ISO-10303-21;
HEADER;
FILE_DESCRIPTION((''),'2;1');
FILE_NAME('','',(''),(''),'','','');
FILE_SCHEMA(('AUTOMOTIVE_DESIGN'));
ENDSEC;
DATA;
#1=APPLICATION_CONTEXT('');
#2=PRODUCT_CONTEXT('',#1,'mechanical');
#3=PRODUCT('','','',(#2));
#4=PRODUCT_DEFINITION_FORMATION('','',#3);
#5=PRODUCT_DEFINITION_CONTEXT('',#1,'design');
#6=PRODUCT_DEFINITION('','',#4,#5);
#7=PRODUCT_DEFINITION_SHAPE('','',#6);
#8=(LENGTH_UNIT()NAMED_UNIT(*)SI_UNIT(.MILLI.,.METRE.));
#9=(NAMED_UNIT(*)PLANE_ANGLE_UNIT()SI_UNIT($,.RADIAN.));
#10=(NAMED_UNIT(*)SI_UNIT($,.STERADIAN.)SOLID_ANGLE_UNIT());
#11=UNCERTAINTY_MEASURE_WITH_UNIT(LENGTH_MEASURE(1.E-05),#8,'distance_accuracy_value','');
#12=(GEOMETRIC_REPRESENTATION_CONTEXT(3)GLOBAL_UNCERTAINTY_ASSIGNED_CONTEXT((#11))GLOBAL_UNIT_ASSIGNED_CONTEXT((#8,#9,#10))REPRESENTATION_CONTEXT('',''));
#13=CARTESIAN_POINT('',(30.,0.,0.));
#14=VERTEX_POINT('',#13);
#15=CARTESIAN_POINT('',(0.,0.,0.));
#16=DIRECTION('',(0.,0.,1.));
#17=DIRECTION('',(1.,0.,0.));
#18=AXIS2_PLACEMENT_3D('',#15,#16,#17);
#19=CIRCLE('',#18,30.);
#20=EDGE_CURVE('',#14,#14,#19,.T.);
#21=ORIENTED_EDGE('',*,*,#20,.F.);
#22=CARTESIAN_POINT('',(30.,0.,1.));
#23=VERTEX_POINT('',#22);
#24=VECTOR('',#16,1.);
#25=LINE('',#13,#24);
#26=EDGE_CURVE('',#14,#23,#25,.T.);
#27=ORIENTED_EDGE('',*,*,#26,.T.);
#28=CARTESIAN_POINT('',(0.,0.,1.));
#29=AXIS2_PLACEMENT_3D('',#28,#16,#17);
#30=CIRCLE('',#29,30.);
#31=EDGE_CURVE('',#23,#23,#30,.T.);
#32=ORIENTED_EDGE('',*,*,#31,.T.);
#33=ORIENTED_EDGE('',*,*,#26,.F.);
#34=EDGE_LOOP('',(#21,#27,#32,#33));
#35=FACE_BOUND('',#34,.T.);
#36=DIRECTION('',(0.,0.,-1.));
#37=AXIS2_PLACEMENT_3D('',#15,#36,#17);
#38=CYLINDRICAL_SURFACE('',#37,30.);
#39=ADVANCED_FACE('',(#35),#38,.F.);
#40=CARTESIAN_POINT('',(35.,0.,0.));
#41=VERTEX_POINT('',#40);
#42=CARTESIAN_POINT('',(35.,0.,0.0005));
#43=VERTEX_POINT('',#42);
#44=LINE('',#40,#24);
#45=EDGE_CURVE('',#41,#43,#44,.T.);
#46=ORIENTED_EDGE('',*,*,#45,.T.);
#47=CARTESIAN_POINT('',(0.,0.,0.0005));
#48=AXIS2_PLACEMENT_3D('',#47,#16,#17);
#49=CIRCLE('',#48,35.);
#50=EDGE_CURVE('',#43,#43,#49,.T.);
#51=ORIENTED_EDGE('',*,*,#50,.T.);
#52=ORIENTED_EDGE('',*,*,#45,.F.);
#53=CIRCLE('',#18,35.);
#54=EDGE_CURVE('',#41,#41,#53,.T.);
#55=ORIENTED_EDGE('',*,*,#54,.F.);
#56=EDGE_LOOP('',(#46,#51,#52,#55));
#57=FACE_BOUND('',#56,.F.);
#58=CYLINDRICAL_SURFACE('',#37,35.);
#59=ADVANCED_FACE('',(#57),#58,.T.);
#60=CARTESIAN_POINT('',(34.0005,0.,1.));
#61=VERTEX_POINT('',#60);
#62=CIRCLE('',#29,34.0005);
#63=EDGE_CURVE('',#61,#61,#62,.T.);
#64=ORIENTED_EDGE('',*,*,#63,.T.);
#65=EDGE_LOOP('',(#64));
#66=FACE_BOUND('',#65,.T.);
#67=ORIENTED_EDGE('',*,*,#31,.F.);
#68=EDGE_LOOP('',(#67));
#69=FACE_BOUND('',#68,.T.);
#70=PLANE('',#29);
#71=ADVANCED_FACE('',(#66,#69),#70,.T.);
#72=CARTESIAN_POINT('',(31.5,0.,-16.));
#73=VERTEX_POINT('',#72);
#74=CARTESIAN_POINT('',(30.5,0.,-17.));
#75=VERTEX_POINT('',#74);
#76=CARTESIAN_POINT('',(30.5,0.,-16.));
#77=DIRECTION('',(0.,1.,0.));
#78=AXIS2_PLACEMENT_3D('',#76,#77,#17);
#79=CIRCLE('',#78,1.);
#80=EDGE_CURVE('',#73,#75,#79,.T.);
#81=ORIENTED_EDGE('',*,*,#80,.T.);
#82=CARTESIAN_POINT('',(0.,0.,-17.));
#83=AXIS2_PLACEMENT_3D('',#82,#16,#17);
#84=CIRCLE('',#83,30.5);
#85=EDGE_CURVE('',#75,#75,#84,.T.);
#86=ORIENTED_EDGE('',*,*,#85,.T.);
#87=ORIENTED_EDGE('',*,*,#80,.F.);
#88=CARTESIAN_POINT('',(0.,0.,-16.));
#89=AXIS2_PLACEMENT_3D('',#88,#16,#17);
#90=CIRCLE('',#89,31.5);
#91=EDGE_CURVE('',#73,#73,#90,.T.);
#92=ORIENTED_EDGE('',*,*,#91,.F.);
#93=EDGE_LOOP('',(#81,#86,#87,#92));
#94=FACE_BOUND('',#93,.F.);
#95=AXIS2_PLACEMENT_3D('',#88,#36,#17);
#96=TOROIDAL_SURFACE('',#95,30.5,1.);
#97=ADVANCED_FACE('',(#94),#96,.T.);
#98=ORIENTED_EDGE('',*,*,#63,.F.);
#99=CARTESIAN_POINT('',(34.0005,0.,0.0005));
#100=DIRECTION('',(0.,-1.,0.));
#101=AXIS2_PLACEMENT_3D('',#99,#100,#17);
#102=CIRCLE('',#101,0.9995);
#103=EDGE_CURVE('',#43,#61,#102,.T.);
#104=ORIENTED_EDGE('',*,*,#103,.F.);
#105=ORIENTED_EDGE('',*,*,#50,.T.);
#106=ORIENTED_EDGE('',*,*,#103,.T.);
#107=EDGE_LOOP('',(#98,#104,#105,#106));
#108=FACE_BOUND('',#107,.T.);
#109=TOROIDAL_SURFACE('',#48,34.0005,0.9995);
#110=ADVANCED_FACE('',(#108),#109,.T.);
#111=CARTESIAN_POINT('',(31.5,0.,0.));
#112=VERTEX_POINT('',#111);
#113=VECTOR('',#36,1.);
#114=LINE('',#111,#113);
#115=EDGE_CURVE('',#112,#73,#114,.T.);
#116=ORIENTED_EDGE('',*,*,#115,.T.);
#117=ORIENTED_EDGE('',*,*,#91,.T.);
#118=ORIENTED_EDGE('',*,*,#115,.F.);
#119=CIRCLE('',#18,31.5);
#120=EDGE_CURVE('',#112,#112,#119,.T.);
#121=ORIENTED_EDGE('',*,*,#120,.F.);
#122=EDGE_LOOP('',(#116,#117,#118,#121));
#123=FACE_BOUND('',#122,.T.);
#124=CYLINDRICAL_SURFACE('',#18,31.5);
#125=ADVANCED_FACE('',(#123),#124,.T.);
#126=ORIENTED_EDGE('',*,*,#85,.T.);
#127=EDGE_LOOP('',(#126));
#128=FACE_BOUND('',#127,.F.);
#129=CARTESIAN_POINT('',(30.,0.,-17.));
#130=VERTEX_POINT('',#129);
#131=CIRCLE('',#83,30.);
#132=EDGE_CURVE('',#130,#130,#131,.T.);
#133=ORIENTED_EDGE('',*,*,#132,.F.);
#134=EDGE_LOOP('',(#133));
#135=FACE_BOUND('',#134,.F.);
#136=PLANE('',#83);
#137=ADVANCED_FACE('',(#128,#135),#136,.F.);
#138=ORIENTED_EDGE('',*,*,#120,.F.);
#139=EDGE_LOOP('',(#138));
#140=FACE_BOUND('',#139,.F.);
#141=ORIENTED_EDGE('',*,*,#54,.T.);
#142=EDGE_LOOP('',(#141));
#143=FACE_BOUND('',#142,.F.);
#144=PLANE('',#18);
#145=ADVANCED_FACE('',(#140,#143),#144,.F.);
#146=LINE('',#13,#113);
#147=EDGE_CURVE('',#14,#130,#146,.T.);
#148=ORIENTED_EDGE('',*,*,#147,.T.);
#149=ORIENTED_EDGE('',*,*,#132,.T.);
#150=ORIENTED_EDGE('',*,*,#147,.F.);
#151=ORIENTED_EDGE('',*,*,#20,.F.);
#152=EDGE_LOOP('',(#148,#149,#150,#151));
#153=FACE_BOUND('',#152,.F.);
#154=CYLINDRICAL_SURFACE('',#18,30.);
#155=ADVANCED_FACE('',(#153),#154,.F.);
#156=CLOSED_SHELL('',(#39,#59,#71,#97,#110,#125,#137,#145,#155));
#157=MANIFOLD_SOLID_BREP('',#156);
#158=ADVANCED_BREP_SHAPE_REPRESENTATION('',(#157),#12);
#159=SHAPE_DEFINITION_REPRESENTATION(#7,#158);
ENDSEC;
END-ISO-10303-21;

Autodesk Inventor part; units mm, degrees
ref_plane "YZ Plane" through (0, 0, 0) normal (1, 0, 0) x (0, 1, 0)
ref_plane "XZ Plane" through (0, 0, 0) normal (0, 1, 0) x (-1, 0, 0)
ref_plane "XY Plane" through (0, 0, 0) normal (0, 0, 1) x (1, 0, 0)
sketch "Sketch1" plane through (0, 0, 0) normal (0, 0, 1) x (1, 0, 0)
  circle A0 centre (0, 0) radius 31.5
  circle A1 centre (0, 0) radius 30
  circle A2 centre (0, 0) radius 35
  dimension "d0" = 63
  dimension "d1" = 60
  dimension "d2" = 70
extrude "Extrusion1" add sketch "Sketch1" along normal blind 1 contours A0 | A2
extrude "Extrusion2" add sketch "Sketch1" against normal blind 17 contours A0
fillet "Fillet1" radius 1 1 edges at (-35, 0, 1)
fillet "Fillet2" radius 1 1 edges at (-31.5, 0, -17)
properties part number "Hole64mm"
